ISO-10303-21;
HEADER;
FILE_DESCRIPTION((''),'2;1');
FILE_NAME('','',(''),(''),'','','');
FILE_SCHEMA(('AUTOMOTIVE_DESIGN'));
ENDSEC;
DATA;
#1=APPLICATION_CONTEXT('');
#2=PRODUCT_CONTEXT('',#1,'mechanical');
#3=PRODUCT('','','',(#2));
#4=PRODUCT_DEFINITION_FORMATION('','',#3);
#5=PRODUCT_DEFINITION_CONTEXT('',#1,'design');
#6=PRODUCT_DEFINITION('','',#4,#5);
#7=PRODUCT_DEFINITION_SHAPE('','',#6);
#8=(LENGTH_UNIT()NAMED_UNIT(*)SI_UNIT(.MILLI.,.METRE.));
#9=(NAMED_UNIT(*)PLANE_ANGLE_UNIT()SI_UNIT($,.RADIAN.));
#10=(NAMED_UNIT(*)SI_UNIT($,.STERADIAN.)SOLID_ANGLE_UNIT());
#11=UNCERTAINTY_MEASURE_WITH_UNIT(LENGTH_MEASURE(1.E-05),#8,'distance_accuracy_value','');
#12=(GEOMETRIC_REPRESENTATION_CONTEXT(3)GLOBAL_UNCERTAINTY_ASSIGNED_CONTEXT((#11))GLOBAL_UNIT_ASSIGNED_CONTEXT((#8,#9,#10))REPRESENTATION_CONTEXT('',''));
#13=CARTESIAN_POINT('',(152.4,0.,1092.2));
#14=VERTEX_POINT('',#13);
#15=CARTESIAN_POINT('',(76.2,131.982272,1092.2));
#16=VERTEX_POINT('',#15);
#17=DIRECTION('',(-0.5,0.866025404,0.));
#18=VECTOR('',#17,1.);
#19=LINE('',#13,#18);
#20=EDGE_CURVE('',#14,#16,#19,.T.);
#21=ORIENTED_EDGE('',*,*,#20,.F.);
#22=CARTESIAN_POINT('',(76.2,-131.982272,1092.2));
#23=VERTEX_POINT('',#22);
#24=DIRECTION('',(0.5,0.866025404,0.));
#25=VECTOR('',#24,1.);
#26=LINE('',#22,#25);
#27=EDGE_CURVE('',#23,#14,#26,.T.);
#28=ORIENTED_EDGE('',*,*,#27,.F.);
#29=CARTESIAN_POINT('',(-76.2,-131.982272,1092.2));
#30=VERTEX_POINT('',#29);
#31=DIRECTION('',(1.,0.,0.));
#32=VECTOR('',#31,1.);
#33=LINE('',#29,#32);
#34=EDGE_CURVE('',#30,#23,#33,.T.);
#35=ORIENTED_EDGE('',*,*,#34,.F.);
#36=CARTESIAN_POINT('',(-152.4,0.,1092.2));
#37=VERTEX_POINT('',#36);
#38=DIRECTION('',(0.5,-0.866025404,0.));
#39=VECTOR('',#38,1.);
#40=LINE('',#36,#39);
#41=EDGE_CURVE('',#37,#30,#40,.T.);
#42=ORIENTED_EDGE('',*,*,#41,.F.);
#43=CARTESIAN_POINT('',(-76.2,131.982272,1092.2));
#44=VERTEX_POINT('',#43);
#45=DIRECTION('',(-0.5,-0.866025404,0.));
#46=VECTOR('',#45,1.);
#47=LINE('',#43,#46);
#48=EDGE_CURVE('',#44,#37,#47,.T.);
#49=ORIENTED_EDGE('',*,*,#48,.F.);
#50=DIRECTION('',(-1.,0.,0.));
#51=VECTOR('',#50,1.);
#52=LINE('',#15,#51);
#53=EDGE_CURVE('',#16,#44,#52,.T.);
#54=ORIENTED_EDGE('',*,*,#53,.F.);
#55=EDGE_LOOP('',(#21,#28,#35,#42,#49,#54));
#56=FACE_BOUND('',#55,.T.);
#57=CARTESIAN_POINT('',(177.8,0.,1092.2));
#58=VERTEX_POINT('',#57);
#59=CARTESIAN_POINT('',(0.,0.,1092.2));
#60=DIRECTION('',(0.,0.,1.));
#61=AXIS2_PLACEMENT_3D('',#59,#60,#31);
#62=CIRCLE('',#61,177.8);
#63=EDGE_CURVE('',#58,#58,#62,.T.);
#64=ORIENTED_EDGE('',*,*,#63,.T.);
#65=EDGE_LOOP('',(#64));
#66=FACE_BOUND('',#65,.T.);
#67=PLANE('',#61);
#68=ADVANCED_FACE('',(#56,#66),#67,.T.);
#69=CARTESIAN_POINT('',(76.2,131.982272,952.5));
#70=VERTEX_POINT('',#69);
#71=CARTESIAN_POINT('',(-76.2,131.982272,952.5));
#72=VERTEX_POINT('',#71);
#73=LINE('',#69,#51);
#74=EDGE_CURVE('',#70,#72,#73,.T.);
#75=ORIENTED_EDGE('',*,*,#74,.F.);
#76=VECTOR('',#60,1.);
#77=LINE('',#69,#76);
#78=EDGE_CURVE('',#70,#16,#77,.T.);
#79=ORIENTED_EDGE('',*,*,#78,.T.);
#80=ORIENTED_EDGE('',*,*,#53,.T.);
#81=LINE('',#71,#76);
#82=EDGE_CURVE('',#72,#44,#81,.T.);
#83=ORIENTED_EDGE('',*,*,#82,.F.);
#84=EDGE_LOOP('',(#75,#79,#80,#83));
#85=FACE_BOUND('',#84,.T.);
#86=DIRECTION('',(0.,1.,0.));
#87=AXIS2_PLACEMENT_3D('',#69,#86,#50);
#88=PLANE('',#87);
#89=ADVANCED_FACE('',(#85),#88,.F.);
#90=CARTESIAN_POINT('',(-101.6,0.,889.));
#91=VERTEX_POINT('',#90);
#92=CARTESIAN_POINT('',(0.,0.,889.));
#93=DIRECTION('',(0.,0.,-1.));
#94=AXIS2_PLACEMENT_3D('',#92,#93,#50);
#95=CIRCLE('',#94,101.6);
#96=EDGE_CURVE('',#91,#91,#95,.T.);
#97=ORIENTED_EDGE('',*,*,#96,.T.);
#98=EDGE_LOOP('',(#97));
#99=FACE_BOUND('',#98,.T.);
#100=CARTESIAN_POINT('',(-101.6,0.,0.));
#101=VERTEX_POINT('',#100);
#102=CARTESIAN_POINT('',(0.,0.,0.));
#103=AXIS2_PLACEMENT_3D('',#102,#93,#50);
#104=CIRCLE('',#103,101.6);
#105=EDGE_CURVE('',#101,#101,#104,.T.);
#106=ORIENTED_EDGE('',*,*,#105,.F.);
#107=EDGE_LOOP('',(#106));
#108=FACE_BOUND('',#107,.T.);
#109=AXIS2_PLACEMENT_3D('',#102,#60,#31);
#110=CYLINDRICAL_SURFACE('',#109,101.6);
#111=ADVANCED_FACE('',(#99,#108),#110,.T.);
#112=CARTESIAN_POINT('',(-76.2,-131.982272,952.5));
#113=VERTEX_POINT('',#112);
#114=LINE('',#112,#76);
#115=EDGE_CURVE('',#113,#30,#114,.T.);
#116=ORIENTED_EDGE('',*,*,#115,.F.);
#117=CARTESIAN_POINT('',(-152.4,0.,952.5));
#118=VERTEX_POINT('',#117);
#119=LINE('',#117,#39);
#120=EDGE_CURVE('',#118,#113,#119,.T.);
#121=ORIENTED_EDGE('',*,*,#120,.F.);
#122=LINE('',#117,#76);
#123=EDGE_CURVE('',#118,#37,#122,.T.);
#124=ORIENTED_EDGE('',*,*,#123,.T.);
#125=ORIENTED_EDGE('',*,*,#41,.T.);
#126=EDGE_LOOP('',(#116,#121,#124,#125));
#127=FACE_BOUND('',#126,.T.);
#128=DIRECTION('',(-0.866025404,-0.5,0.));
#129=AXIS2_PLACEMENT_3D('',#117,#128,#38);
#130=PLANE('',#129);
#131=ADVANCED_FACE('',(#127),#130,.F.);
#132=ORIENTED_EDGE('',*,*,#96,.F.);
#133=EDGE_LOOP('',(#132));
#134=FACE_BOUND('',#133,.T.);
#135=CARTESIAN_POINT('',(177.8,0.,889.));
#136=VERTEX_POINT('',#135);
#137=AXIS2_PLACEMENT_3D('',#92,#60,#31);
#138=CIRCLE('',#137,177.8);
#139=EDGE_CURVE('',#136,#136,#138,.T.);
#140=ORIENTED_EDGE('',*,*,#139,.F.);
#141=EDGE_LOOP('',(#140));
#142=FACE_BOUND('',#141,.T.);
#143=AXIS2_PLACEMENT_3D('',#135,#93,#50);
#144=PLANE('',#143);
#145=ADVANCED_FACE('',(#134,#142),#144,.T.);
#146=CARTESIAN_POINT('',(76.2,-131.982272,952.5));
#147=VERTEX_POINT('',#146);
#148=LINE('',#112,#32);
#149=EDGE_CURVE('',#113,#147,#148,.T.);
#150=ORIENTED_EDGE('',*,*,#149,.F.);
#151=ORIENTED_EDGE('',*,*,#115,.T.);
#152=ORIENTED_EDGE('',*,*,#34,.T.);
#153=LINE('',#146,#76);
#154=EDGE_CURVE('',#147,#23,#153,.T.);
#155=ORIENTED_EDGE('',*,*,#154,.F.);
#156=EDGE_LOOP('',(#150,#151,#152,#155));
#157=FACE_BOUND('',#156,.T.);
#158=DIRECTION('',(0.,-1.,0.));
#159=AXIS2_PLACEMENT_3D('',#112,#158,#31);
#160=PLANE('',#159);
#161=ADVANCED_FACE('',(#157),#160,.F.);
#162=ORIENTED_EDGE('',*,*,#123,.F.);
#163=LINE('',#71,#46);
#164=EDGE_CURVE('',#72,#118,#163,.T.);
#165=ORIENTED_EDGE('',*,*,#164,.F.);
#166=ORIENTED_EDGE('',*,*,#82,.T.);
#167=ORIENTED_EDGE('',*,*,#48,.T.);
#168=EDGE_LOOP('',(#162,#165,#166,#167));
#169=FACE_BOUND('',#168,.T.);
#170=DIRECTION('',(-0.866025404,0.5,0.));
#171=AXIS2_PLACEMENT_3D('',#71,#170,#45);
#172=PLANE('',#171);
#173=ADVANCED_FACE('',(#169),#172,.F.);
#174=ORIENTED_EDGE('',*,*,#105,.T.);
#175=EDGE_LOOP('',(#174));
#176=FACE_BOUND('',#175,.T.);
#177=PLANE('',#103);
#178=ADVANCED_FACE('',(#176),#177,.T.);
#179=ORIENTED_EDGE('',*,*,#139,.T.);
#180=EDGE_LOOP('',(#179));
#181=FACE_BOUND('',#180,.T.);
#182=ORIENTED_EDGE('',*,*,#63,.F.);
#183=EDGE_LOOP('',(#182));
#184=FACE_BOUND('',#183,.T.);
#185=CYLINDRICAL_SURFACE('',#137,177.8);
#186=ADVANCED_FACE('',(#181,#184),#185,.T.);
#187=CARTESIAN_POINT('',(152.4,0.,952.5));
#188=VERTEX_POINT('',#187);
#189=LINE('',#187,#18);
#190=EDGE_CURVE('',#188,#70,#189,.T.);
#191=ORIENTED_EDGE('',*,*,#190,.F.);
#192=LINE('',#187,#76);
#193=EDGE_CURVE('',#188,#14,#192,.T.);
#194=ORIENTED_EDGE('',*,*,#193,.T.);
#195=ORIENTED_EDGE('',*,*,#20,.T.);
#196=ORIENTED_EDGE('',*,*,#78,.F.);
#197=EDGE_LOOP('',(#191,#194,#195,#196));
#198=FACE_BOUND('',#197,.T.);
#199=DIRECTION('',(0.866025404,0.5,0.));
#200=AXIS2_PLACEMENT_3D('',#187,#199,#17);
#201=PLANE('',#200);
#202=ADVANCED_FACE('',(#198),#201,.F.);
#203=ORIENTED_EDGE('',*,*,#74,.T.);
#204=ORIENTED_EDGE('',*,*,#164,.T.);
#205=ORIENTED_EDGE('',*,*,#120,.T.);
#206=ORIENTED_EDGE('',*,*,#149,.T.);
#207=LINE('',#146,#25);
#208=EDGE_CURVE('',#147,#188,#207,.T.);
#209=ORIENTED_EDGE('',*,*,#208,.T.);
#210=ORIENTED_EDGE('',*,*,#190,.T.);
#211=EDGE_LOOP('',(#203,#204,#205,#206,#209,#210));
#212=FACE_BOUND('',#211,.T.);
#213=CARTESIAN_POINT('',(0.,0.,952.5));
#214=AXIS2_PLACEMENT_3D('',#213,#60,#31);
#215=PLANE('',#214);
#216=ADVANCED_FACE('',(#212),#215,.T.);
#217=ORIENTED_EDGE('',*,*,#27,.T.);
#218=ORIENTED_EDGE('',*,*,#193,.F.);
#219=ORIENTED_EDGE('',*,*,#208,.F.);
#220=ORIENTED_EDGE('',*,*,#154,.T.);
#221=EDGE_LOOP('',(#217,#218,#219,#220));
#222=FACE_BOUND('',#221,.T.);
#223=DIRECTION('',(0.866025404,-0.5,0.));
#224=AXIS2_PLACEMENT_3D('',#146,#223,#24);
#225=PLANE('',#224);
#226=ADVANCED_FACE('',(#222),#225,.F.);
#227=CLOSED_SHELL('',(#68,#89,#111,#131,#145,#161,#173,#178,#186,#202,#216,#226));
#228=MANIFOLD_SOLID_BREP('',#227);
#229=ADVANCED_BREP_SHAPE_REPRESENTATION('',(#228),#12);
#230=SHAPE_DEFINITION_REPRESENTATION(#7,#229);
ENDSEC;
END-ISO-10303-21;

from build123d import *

# Parameters (mm, degrees)
SKETCH1_W           = 177.8
SKETCH1_H           = 203.2
SKETCH2_R           = 101.6
BOSS_EXTRUDE1_DEPTH = 889
CUT_EXTRUDE1_DEPTH  = 139.7


with BuildPart() as part:
    # Sketch1 → Revolve1 (revolve)
    with BuildSketch(Plane(origin=(0, 0, 0), x_dir=(1, 0, 0), z_dir=(0, 1, 0))):
        with Locations((88.9, -990.6)):
            Rectangle(SKETCH1_W, SKETCH1_H)
    revolve(axis=Axis((0, 0, 889), (0, 0, 1)))

    # Sketch2 → Boss-Extrude1 (add)
    with BuildSketch(Plane(origin=(0, 0, 889), x_dir=(-1, 0, 0), z_dir=(0, 0, -1))):
        Circle(SKETCH2_R)
    extrude(amount=BOSS_EXTRUDE1_DEPTH)

    # Sketch3 → Cut-Extrude1 (cut)
    with BuildSketch(Plane.XY.offset(1092.2)):
        Polygon((-152.4, 0), (-76.2, -131.982271537), (76.2, -131.982271537), (152.4, 0), (76.2, 131.982271537), (-76.2, 131.982271537), align=None)
    extrude(amount=-CUT_EXTRUDE1_DEPTH, mode=Mode.SUBTRACT)


solid = part.part
